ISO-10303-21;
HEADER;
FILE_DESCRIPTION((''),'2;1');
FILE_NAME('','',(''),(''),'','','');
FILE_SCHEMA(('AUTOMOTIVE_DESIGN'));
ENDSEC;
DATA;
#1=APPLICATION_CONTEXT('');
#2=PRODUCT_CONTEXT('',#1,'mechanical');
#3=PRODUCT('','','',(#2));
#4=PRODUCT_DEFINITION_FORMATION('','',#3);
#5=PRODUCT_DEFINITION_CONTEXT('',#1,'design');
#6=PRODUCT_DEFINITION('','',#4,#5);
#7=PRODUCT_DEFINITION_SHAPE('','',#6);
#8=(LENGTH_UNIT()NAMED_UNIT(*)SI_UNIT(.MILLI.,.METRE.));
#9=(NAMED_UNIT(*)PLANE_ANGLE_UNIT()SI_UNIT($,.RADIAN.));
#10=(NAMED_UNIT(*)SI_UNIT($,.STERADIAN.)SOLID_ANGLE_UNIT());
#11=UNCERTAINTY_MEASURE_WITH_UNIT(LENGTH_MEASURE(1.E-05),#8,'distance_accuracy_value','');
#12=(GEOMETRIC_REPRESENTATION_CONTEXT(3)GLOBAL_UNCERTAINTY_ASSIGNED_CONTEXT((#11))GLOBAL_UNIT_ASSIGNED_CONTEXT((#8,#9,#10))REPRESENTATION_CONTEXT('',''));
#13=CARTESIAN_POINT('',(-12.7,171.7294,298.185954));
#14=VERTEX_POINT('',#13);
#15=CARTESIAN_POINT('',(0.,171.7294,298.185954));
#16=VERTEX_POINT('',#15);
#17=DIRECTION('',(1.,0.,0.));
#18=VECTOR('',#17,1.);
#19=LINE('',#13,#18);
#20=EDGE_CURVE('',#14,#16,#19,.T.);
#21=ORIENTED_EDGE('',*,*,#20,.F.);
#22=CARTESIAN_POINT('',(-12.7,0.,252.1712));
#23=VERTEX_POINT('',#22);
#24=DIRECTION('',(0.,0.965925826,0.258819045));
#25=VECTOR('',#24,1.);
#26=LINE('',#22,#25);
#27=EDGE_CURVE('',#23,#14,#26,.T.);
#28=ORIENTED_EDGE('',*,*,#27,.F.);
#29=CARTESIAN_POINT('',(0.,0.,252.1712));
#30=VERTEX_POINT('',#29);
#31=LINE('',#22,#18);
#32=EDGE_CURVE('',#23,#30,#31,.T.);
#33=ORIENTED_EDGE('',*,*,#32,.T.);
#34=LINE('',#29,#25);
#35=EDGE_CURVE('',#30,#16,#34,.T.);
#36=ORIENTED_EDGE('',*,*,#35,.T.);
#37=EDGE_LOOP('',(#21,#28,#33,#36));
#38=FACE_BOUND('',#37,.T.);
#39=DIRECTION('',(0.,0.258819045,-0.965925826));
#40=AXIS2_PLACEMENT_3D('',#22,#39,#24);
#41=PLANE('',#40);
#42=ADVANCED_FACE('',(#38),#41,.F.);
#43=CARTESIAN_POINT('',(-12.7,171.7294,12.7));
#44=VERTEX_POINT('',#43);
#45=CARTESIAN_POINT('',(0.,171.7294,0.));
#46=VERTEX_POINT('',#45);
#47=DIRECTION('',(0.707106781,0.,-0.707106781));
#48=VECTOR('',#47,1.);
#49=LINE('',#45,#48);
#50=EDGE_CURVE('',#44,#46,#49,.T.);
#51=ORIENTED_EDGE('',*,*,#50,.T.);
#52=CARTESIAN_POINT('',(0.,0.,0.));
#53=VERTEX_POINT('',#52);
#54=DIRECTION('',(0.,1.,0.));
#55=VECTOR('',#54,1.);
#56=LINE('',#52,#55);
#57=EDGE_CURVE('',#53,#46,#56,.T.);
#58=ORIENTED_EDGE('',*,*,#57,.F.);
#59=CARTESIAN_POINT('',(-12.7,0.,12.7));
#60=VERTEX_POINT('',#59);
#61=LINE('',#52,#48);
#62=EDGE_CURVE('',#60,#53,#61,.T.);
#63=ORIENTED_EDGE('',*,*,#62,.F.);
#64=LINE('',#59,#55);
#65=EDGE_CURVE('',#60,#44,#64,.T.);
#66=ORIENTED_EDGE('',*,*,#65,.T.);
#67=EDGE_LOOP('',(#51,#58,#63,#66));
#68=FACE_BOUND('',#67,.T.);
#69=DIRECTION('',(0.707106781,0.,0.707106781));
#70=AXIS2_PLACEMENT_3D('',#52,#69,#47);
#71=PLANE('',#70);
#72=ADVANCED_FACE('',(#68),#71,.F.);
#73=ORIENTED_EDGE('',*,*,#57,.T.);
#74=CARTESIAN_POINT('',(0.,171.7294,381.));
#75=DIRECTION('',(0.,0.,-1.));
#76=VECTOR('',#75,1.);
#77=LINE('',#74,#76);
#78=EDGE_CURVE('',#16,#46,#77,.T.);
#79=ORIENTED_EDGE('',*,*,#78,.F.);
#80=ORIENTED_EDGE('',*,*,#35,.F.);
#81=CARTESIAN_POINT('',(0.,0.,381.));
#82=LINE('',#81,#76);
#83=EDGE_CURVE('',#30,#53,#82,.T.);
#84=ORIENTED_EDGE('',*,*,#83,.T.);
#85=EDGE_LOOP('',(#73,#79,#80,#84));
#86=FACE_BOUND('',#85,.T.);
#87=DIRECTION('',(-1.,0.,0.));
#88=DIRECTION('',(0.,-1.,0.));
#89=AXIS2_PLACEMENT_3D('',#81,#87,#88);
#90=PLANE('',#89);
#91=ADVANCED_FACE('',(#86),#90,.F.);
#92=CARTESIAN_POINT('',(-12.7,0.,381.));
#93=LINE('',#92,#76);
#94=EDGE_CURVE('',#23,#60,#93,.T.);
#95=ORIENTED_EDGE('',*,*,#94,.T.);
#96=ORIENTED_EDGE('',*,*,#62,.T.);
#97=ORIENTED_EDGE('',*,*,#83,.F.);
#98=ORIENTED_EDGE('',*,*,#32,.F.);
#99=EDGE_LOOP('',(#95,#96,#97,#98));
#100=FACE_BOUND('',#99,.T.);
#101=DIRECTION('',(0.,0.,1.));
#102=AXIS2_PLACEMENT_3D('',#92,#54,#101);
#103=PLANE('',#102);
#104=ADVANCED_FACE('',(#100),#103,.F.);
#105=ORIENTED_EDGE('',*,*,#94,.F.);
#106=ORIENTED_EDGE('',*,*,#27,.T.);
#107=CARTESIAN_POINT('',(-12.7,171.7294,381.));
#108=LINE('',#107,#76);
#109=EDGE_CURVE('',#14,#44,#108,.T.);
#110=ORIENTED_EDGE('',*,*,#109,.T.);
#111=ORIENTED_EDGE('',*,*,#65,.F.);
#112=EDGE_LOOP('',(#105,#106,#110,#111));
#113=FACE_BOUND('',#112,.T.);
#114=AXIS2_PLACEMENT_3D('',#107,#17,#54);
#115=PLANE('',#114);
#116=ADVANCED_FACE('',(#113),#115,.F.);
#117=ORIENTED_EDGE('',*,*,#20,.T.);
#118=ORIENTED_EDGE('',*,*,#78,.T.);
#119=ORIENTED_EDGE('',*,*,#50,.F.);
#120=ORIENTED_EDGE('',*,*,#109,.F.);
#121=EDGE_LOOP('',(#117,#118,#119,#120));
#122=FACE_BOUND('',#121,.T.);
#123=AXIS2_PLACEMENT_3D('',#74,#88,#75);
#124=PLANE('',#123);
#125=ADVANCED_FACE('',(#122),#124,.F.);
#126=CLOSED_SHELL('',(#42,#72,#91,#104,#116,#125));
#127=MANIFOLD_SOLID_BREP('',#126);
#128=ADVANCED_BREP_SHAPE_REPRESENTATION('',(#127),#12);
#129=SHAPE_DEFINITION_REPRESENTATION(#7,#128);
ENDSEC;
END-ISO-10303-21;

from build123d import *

# Parameters (mm, degrees)
SKETCH2_W           = 12.7
SKETCH2_H           = 171.7294
BOSS_EXTRUDE2_DEPTH = 381
CUT_EXTRUDE1_DEPTH  = 13.7
CUT_EXTRUDE2_DEPTH  = 172.7294


with BuildPart() as part:
    # Sketch2 → Boss-Extrude2 (new body)
    with BuildSketch(Plane.XY):
        with Locations((-6.35, 85.8647)):
            Rectangle(SKETCH2_W, SKETCH2_H)
    extrude(amount=BOSS_EXTRUDE2_DEPTH)

    # Sketch3 → Cut-Extrude1 (cut, through all)
    with BuildSketch(Plane(origin=(0, 0, 0), x_dir=(0, 0, -1), z_dir=(1, 0, 0))):
        Polygon((-252.1712, 0), (-298.185954047, 171.7294), (-381, 171.7294), (-381, 0), align=None)
    extrude(amount=-CUT_EXTRUDE1_DEPTH, mode=Mode.SUBTRACT)

    # Sketch4 → Cut-Extrude2 (cut, through all)
    with BuildSketch(Plane(origin=(0, 171.7294, 0), x_dir=(1, 0, 0), z_dir=(0, 1, 0))):
        Polygon((0, 0), (-12.7, -12.7), (-12.7, 0), align=None)
    extrude(amount=-CUT_EXTRUDE2_DEPTH, mode=Mode.SUBTRACT)


solid = part.part
